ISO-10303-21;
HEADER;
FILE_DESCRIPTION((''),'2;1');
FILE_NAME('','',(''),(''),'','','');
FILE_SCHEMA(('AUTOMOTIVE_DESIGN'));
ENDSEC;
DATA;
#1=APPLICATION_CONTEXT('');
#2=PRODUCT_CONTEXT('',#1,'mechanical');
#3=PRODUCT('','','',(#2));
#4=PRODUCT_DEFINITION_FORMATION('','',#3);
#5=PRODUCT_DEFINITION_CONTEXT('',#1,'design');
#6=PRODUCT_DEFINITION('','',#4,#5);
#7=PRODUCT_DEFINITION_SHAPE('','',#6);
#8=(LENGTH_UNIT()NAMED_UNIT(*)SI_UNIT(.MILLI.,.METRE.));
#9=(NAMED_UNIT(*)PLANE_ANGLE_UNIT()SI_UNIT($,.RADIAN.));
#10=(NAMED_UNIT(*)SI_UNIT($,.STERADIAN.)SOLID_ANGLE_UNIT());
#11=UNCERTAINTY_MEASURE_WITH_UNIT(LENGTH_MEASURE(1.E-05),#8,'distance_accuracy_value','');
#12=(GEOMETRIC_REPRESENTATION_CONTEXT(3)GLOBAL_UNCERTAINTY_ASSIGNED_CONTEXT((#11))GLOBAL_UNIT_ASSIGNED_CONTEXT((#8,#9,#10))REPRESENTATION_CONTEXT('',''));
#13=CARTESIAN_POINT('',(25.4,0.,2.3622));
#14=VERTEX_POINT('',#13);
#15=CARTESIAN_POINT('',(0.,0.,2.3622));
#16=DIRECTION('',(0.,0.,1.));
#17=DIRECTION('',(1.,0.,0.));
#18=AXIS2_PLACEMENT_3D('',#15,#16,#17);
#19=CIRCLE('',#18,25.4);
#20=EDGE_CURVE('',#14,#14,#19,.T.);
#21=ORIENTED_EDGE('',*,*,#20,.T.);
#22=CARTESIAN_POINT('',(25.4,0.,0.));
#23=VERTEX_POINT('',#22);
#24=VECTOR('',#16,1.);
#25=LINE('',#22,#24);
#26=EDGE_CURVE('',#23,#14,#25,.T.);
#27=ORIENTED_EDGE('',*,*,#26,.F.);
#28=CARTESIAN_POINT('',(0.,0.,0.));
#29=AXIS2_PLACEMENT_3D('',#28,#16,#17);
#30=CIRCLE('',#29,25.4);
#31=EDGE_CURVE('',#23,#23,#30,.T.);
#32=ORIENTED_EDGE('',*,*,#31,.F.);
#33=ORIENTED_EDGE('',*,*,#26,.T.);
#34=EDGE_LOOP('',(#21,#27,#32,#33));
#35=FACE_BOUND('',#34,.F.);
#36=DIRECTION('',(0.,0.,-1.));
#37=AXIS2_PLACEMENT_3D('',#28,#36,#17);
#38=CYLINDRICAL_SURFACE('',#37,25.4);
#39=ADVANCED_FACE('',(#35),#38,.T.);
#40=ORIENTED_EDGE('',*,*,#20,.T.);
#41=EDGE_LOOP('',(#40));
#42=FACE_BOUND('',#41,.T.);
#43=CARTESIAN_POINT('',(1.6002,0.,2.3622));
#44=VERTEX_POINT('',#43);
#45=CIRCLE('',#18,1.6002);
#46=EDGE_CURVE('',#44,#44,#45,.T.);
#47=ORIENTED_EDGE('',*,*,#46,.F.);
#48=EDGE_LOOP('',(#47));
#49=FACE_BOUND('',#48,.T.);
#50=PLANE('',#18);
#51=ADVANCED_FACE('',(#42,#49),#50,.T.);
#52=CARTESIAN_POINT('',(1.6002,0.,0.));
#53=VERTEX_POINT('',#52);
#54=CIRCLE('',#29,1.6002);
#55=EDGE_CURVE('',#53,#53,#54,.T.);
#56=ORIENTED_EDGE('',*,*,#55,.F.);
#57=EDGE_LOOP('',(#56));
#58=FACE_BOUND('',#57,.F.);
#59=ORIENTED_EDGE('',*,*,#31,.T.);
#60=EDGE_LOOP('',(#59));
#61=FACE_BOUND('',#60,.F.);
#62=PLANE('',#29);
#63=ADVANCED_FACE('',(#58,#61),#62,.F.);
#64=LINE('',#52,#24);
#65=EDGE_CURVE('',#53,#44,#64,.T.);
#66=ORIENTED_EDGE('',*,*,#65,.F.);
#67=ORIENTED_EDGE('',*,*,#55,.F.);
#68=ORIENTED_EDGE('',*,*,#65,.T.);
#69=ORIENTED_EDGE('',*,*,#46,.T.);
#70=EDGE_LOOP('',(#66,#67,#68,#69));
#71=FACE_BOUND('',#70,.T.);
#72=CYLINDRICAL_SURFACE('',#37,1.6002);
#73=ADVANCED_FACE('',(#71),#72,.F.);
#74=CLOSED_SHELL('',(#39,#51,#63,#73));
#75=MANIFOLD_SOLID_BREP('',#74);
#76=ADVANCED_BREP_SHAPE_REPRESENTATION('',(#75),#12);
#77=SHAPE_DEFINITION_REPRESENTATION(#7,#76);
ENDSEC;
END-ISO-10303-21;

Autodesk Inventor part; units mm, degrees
ref_plane "YZ Plane" through (0, 0, 0) normal (1, 0, 0) x (0, 1, 0)
ref_plane "XZ Plane" through (0, 0, 0) normal (0, 1, 0) x (-1, 0, 0)
ref_plane "XY Plane" through (0, 0, 0) normal (0, 0, 1) x (1, 0, 0)
sketch "Sketch1" plane through (0, 0, 0) normal (0, 0, 1) x (1, 0, 0)
  circle A0 centre (0, 0) radius 25.4
  circle A1 centre (0, 0) radius 1.6002
  dimension "d0" = 50.8
  dimension "d2" = 3.2004
extrude "Extrusion1" add sketch "Sketch1" along normal blind 2.3622
properties part number "Platw_Wheel" material "Polycarbonate, Clear"
